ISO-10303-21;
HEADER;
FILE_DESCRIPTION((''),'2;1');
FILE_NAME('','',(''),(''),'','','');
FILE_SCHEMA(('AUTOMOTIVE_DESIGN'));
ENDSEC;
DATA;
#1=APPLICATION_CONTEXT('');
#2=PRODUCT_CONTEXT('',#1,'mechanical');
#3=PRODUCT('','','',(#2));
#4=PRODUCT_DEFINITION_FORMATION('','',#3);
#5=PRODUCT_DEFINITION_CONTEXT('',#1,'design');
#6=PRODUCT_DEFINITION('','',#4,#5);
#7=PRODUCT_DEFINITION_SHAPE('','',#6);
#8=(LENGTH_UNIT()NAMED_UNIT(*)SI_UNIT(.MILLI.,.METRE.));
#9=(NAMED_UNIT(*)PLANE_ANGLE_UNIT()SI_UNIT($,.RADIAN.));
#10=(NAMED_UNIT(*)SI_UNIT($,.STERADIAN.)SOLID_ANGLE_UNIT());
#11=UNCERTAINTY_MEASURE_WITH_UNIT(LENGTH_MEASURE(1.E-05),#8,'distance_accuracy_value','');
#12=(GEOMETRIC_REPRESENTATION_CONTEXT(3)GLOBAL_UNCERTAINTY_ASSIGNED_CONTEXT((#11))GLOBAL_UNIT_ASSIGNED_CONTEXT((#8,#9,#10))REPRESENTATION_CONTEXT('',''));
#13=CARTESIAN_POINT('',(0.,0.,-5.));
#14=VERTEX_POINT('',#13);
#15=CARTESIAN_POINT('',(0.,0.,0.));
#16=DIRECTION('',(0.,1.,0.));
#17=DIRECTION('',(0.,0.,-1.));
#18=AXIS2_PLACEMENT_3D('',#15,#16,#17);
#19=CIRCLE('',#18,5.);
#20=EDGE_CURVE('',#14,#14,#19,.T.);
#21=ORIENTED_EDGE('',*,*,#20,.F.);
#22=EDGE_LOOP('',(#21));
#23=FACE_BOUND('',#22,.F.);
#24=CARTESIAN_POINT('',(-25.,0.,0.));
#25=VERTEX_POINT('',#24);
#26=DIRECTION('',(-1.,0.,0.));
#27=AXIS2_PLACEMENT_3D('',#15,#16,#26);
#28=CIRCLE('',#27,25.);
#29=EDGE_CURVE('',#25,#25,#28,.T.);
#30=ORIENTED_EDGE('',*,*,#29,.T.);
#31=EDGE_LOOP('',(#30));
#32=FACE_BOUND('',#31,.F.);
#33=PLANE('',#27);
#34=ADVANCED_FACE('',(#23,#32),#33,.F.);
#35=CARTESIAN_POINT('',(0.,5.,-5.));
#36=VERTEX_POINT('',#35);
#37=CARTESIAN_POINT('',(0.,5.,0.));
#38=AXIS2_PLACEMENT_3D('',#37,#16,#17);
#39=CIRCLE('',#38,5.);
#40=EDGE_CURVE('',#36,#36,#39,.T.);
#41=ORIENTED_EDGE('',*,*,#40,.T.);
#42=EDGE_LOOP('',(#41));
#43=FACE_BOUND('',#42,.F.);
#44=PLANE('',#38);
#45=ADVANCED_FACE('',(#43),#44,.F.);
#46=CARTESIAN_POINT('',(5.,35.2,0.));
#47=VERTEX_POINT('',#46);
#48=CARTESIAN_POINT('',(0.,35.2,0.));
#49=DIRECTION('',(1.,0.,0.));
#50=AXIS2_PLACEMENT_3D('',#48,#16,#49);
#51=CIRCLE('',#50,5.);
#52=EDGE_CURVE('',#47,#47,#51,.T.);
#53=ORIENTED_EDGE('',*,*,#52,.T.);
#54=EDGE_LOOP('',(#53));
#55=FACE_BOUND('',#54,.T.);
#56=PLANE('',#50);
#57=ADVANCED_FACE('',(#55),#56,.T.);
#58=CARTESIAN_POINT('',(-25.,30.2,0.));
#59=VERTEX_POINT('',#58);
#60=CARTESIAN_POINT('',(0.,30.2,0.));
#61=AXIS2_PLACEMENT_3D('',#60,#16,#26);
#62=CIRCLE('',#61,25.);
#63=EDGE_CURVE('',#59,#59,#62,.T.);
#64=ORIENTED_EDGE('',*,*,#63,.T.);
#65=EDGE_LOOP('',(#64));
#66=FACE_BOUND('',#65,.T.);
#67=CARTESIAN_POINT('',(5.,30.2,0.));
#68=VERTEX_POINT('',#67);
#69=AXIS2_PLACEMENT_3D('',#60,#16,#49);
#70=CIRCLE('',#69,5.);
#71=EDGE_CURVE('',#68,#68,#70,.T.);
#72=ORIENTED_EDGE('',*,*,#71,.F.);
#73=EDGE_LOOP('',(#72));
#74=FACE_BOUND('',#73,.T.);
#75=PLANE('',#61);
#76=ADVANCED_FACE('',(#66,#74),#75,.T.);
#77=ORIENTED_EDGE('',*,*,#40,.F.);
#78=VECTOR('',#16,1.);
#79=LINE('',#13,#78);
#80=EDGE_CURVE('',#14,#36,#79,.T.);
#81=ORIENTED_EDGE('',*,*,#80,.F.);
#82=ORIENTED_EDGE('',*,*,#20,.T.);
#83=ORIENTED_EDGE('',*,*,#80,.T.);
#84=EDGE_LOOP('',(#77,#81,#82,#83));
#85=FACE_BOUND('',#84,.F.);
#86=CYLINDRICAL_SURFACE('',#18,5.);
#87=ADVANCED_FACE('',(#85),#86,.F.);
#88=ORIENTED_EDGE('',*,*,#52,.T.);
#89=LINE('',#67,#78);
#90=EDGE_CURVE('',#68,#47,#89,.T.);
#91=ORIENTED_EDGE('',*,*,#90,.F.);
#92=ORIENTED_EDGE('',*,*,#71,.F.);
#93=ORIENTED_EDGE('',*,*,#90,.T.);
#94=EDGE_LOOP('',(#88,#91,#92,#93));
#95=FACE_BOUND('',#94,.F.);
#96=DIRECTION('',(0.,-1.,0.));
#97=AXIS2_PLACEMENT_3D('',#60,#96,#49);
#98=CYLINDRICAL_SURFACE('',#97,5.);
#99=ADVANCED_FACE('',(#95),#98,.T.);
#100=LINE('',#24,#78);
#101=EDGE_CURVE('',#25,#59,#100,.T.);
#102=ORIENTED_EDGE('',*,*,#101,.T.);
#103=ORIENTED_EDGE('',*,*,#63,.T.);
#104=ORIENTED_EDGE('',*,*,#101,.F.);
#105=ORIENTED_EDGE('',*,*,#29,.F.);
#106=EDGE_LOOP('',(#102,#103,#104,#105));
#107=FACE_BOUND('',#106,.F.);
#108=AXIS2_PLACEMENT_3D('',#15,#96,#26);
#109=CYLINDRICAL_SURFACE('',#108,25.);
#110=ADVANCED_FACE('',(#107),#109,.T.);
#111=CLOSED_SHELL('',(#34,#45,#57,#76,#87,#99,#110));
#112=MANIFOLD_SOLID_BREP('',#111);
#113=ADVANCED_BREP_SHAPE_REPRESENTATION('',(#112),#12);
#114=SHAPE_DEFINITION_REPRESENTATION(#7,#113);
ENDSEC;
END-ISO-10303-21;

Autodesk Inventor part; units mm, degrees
ref_plane "YZ Plane" through (0, 0, 0) normal (1, 0, 0) x (0, 1, 0)
ref_plane "XZ Plane" through (0, 0, 0) normal (0, 1, 0) x (-1, 0, 0)
ref_plane "XY Plane" through (0, 0, 0) normal (0, 0, 1) x (1, 0, 0)
sketch "Sketch1" plane through (0, 0, 0) normal (0, 1, 0) x (-1, 0, 0)
  circle A0 centre (0, 0) radius 25
  dimension "d0" = 50
extrude "Extrusion1" add sketch "Sketch1" along normal blind 30.2
hole "Hole1" at (0, 0, 0) direction (0, 1, 0) diameter 10 depth 5
sketch "Sketch2" plane through (0, 30.2, 0) normal (0, 1, 0) x (1, 0, 0)
  circle A0 centre (0, 0) radius 5
extrude "Extrusion2" add sketch "Sketch2" along normal blind 5
properties part number "stackLightElement" material "Polycarbonate, Clear"
